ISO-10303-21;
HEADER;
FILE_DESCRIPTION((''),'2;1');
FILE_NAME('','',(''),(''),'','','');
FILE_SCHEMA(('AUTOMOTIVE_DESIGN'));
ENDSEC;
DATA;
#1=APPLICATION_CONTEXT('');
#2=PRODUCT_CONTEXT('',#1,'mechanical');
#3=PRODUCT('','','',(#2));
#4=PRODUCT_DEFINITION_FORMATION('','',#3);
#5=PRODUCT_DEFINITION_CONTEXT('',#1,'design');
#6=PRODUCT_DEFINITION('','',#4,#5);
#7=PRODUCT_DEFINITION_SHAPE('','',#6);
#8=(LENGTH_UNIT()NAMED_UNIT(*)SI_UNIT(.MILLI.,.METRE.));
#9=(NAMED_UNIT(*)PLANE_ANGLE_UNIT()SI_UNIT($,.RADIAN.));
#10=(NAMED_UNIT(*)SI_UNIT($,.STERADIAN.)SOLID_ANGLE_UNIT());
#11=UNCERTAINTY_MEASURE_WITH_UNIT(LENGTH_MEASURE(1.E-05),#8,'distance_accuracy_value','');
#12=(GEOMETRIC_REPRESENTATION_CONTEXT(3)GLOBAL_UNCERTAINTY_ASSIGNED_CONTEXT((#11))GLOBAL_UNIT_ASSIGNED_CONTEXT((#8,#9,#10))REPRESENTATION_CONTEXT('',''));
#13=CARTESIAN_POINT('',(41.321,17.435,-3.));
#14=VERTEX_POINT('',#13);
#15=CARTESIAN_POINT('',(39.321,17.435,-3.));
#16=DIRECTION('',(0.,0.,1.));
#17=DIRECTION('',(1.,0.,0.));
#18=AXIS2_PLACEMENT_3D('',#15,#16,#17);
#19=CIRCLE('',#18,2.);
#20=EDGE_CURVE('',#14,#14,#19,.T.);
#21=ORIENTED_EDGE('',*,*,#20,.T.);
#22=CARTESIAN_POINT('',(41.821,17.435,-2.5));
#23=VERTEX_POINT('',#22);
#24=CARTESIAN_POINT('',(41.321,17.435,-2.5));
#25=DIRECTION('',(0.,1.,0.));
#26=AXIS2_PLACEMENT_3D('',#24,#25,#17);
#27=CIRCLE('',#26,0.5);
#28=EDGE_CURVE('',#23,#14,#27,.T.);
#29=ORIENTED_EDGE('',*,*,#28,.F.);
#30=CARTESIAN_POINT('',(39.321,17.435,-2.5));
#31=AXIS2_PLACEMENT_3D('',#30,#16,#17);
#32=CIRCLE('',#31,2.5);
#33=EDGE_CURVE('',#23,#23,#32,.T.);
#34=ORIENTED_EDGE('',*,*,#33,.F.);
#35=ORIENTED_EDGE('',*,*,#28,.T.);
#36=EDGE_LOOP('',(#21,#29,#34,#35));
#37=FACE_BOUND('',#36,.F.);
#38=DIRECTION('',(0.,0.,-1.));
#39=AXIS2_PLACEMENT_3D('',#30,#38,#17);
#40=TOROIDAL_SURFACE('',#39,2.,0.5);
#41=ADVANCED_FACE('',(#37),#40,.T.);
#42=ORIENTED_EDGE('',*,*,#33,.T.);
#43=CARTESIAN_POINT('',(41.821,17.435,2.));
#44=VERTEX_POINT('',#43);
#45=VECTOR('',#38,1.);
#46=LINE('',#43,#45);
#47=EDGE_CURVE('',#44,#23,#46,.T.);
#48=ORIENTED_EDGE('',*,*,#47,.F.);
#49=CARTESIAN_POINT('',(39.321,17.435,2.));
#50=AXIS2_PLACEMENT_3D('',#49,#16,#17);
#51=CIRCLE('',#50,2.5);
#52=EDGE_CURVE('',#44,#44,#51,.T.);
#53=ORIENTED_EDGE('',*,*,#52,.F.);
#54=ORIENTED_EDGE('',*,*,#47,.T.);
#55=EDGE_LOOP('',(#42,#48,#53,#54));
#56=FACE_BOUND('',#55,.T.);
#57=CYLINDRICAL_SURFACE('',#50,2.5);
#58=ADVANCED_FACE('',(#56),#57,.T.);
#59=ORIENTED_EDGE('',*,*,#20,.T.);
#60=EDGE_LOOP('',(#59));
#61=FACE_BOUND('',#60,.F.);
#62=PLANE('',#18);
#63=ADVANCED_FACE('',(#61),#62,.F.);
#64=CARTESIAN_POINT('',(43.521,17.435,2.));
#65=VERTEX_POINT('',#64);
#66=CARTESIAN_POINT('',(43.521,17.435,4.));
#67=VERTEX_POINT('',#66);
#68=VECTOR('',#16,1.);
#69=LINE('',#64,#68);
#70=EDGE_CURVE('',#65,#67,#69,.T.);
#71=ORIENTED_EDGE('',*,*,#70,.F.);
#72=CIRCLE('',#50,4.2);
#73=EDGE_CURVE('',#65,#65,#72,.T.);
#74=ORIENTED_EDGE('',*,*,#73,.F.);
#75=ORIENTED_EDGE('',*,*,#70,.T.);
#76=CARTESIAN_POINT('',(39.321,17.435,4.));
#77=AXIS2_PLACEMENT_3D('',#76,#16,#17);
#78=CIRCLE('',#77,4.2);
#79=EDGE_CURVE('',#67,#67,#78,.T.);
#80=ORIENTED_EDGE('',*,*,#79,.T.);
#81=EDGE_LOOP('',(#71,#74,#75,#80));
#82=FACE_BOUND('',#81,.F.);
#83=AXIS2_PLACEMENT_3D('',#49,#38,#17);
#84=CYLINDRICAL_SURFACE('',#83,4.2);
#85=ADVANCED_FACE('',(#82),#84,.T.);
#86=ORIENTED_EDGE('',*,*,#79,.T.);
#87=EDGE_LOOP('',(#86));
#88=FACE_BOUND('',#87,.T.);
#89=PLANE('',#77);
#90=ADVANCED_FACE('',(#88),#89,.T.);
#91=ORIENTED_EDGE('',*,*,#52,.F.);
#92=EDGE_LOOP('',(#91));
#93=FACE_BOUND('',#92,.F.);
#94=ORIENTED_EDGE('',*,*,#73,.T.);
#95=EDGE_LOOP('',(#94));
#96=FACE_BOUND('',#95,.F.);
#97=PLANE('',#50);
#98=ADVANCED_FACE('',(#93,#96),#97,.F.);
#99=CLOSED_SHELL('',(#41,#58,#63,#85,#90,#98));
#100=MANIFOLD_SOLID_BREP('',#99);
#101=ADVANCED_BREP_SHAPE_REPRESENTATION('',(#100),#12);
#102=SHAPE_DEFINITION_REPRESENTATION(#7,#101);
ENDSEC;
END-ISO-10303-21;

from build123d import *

# Parameters (mm, degrees)
SKETCH004_R  = 2.5
PAD004_DEPTH = 5
SKETCH005_R  = 4.2
PAD005_DEPTH = 2
FILLET_R     = 0.5


with BuildPart() as part:
    # Sketch004 → Pad004 (new body)
    with BuildSketch(Plane.XY.offset(2)):
        with Locations((39.321, 17.435)):
            Circle(SKETCH004_R)
    extrude(amount=-PAD004_DEPTH)

    # Sketch005 → Pad005 (join)
    with BuildSketch(Plane.XY.offset(2)):
        with Locations((39.321, 17.435)):
            Circle(SKETCH005_R)
    extrude(amount=PAD005_DEPTH)

    # Fillet
    fillet_edges = [part.edges().sort_by_distance(p)[0] for p in [
        (36.821, 17.435, -3),
    ]]
    fillet(fillet_edges, radius=FILLET_R)


solid = part.part
